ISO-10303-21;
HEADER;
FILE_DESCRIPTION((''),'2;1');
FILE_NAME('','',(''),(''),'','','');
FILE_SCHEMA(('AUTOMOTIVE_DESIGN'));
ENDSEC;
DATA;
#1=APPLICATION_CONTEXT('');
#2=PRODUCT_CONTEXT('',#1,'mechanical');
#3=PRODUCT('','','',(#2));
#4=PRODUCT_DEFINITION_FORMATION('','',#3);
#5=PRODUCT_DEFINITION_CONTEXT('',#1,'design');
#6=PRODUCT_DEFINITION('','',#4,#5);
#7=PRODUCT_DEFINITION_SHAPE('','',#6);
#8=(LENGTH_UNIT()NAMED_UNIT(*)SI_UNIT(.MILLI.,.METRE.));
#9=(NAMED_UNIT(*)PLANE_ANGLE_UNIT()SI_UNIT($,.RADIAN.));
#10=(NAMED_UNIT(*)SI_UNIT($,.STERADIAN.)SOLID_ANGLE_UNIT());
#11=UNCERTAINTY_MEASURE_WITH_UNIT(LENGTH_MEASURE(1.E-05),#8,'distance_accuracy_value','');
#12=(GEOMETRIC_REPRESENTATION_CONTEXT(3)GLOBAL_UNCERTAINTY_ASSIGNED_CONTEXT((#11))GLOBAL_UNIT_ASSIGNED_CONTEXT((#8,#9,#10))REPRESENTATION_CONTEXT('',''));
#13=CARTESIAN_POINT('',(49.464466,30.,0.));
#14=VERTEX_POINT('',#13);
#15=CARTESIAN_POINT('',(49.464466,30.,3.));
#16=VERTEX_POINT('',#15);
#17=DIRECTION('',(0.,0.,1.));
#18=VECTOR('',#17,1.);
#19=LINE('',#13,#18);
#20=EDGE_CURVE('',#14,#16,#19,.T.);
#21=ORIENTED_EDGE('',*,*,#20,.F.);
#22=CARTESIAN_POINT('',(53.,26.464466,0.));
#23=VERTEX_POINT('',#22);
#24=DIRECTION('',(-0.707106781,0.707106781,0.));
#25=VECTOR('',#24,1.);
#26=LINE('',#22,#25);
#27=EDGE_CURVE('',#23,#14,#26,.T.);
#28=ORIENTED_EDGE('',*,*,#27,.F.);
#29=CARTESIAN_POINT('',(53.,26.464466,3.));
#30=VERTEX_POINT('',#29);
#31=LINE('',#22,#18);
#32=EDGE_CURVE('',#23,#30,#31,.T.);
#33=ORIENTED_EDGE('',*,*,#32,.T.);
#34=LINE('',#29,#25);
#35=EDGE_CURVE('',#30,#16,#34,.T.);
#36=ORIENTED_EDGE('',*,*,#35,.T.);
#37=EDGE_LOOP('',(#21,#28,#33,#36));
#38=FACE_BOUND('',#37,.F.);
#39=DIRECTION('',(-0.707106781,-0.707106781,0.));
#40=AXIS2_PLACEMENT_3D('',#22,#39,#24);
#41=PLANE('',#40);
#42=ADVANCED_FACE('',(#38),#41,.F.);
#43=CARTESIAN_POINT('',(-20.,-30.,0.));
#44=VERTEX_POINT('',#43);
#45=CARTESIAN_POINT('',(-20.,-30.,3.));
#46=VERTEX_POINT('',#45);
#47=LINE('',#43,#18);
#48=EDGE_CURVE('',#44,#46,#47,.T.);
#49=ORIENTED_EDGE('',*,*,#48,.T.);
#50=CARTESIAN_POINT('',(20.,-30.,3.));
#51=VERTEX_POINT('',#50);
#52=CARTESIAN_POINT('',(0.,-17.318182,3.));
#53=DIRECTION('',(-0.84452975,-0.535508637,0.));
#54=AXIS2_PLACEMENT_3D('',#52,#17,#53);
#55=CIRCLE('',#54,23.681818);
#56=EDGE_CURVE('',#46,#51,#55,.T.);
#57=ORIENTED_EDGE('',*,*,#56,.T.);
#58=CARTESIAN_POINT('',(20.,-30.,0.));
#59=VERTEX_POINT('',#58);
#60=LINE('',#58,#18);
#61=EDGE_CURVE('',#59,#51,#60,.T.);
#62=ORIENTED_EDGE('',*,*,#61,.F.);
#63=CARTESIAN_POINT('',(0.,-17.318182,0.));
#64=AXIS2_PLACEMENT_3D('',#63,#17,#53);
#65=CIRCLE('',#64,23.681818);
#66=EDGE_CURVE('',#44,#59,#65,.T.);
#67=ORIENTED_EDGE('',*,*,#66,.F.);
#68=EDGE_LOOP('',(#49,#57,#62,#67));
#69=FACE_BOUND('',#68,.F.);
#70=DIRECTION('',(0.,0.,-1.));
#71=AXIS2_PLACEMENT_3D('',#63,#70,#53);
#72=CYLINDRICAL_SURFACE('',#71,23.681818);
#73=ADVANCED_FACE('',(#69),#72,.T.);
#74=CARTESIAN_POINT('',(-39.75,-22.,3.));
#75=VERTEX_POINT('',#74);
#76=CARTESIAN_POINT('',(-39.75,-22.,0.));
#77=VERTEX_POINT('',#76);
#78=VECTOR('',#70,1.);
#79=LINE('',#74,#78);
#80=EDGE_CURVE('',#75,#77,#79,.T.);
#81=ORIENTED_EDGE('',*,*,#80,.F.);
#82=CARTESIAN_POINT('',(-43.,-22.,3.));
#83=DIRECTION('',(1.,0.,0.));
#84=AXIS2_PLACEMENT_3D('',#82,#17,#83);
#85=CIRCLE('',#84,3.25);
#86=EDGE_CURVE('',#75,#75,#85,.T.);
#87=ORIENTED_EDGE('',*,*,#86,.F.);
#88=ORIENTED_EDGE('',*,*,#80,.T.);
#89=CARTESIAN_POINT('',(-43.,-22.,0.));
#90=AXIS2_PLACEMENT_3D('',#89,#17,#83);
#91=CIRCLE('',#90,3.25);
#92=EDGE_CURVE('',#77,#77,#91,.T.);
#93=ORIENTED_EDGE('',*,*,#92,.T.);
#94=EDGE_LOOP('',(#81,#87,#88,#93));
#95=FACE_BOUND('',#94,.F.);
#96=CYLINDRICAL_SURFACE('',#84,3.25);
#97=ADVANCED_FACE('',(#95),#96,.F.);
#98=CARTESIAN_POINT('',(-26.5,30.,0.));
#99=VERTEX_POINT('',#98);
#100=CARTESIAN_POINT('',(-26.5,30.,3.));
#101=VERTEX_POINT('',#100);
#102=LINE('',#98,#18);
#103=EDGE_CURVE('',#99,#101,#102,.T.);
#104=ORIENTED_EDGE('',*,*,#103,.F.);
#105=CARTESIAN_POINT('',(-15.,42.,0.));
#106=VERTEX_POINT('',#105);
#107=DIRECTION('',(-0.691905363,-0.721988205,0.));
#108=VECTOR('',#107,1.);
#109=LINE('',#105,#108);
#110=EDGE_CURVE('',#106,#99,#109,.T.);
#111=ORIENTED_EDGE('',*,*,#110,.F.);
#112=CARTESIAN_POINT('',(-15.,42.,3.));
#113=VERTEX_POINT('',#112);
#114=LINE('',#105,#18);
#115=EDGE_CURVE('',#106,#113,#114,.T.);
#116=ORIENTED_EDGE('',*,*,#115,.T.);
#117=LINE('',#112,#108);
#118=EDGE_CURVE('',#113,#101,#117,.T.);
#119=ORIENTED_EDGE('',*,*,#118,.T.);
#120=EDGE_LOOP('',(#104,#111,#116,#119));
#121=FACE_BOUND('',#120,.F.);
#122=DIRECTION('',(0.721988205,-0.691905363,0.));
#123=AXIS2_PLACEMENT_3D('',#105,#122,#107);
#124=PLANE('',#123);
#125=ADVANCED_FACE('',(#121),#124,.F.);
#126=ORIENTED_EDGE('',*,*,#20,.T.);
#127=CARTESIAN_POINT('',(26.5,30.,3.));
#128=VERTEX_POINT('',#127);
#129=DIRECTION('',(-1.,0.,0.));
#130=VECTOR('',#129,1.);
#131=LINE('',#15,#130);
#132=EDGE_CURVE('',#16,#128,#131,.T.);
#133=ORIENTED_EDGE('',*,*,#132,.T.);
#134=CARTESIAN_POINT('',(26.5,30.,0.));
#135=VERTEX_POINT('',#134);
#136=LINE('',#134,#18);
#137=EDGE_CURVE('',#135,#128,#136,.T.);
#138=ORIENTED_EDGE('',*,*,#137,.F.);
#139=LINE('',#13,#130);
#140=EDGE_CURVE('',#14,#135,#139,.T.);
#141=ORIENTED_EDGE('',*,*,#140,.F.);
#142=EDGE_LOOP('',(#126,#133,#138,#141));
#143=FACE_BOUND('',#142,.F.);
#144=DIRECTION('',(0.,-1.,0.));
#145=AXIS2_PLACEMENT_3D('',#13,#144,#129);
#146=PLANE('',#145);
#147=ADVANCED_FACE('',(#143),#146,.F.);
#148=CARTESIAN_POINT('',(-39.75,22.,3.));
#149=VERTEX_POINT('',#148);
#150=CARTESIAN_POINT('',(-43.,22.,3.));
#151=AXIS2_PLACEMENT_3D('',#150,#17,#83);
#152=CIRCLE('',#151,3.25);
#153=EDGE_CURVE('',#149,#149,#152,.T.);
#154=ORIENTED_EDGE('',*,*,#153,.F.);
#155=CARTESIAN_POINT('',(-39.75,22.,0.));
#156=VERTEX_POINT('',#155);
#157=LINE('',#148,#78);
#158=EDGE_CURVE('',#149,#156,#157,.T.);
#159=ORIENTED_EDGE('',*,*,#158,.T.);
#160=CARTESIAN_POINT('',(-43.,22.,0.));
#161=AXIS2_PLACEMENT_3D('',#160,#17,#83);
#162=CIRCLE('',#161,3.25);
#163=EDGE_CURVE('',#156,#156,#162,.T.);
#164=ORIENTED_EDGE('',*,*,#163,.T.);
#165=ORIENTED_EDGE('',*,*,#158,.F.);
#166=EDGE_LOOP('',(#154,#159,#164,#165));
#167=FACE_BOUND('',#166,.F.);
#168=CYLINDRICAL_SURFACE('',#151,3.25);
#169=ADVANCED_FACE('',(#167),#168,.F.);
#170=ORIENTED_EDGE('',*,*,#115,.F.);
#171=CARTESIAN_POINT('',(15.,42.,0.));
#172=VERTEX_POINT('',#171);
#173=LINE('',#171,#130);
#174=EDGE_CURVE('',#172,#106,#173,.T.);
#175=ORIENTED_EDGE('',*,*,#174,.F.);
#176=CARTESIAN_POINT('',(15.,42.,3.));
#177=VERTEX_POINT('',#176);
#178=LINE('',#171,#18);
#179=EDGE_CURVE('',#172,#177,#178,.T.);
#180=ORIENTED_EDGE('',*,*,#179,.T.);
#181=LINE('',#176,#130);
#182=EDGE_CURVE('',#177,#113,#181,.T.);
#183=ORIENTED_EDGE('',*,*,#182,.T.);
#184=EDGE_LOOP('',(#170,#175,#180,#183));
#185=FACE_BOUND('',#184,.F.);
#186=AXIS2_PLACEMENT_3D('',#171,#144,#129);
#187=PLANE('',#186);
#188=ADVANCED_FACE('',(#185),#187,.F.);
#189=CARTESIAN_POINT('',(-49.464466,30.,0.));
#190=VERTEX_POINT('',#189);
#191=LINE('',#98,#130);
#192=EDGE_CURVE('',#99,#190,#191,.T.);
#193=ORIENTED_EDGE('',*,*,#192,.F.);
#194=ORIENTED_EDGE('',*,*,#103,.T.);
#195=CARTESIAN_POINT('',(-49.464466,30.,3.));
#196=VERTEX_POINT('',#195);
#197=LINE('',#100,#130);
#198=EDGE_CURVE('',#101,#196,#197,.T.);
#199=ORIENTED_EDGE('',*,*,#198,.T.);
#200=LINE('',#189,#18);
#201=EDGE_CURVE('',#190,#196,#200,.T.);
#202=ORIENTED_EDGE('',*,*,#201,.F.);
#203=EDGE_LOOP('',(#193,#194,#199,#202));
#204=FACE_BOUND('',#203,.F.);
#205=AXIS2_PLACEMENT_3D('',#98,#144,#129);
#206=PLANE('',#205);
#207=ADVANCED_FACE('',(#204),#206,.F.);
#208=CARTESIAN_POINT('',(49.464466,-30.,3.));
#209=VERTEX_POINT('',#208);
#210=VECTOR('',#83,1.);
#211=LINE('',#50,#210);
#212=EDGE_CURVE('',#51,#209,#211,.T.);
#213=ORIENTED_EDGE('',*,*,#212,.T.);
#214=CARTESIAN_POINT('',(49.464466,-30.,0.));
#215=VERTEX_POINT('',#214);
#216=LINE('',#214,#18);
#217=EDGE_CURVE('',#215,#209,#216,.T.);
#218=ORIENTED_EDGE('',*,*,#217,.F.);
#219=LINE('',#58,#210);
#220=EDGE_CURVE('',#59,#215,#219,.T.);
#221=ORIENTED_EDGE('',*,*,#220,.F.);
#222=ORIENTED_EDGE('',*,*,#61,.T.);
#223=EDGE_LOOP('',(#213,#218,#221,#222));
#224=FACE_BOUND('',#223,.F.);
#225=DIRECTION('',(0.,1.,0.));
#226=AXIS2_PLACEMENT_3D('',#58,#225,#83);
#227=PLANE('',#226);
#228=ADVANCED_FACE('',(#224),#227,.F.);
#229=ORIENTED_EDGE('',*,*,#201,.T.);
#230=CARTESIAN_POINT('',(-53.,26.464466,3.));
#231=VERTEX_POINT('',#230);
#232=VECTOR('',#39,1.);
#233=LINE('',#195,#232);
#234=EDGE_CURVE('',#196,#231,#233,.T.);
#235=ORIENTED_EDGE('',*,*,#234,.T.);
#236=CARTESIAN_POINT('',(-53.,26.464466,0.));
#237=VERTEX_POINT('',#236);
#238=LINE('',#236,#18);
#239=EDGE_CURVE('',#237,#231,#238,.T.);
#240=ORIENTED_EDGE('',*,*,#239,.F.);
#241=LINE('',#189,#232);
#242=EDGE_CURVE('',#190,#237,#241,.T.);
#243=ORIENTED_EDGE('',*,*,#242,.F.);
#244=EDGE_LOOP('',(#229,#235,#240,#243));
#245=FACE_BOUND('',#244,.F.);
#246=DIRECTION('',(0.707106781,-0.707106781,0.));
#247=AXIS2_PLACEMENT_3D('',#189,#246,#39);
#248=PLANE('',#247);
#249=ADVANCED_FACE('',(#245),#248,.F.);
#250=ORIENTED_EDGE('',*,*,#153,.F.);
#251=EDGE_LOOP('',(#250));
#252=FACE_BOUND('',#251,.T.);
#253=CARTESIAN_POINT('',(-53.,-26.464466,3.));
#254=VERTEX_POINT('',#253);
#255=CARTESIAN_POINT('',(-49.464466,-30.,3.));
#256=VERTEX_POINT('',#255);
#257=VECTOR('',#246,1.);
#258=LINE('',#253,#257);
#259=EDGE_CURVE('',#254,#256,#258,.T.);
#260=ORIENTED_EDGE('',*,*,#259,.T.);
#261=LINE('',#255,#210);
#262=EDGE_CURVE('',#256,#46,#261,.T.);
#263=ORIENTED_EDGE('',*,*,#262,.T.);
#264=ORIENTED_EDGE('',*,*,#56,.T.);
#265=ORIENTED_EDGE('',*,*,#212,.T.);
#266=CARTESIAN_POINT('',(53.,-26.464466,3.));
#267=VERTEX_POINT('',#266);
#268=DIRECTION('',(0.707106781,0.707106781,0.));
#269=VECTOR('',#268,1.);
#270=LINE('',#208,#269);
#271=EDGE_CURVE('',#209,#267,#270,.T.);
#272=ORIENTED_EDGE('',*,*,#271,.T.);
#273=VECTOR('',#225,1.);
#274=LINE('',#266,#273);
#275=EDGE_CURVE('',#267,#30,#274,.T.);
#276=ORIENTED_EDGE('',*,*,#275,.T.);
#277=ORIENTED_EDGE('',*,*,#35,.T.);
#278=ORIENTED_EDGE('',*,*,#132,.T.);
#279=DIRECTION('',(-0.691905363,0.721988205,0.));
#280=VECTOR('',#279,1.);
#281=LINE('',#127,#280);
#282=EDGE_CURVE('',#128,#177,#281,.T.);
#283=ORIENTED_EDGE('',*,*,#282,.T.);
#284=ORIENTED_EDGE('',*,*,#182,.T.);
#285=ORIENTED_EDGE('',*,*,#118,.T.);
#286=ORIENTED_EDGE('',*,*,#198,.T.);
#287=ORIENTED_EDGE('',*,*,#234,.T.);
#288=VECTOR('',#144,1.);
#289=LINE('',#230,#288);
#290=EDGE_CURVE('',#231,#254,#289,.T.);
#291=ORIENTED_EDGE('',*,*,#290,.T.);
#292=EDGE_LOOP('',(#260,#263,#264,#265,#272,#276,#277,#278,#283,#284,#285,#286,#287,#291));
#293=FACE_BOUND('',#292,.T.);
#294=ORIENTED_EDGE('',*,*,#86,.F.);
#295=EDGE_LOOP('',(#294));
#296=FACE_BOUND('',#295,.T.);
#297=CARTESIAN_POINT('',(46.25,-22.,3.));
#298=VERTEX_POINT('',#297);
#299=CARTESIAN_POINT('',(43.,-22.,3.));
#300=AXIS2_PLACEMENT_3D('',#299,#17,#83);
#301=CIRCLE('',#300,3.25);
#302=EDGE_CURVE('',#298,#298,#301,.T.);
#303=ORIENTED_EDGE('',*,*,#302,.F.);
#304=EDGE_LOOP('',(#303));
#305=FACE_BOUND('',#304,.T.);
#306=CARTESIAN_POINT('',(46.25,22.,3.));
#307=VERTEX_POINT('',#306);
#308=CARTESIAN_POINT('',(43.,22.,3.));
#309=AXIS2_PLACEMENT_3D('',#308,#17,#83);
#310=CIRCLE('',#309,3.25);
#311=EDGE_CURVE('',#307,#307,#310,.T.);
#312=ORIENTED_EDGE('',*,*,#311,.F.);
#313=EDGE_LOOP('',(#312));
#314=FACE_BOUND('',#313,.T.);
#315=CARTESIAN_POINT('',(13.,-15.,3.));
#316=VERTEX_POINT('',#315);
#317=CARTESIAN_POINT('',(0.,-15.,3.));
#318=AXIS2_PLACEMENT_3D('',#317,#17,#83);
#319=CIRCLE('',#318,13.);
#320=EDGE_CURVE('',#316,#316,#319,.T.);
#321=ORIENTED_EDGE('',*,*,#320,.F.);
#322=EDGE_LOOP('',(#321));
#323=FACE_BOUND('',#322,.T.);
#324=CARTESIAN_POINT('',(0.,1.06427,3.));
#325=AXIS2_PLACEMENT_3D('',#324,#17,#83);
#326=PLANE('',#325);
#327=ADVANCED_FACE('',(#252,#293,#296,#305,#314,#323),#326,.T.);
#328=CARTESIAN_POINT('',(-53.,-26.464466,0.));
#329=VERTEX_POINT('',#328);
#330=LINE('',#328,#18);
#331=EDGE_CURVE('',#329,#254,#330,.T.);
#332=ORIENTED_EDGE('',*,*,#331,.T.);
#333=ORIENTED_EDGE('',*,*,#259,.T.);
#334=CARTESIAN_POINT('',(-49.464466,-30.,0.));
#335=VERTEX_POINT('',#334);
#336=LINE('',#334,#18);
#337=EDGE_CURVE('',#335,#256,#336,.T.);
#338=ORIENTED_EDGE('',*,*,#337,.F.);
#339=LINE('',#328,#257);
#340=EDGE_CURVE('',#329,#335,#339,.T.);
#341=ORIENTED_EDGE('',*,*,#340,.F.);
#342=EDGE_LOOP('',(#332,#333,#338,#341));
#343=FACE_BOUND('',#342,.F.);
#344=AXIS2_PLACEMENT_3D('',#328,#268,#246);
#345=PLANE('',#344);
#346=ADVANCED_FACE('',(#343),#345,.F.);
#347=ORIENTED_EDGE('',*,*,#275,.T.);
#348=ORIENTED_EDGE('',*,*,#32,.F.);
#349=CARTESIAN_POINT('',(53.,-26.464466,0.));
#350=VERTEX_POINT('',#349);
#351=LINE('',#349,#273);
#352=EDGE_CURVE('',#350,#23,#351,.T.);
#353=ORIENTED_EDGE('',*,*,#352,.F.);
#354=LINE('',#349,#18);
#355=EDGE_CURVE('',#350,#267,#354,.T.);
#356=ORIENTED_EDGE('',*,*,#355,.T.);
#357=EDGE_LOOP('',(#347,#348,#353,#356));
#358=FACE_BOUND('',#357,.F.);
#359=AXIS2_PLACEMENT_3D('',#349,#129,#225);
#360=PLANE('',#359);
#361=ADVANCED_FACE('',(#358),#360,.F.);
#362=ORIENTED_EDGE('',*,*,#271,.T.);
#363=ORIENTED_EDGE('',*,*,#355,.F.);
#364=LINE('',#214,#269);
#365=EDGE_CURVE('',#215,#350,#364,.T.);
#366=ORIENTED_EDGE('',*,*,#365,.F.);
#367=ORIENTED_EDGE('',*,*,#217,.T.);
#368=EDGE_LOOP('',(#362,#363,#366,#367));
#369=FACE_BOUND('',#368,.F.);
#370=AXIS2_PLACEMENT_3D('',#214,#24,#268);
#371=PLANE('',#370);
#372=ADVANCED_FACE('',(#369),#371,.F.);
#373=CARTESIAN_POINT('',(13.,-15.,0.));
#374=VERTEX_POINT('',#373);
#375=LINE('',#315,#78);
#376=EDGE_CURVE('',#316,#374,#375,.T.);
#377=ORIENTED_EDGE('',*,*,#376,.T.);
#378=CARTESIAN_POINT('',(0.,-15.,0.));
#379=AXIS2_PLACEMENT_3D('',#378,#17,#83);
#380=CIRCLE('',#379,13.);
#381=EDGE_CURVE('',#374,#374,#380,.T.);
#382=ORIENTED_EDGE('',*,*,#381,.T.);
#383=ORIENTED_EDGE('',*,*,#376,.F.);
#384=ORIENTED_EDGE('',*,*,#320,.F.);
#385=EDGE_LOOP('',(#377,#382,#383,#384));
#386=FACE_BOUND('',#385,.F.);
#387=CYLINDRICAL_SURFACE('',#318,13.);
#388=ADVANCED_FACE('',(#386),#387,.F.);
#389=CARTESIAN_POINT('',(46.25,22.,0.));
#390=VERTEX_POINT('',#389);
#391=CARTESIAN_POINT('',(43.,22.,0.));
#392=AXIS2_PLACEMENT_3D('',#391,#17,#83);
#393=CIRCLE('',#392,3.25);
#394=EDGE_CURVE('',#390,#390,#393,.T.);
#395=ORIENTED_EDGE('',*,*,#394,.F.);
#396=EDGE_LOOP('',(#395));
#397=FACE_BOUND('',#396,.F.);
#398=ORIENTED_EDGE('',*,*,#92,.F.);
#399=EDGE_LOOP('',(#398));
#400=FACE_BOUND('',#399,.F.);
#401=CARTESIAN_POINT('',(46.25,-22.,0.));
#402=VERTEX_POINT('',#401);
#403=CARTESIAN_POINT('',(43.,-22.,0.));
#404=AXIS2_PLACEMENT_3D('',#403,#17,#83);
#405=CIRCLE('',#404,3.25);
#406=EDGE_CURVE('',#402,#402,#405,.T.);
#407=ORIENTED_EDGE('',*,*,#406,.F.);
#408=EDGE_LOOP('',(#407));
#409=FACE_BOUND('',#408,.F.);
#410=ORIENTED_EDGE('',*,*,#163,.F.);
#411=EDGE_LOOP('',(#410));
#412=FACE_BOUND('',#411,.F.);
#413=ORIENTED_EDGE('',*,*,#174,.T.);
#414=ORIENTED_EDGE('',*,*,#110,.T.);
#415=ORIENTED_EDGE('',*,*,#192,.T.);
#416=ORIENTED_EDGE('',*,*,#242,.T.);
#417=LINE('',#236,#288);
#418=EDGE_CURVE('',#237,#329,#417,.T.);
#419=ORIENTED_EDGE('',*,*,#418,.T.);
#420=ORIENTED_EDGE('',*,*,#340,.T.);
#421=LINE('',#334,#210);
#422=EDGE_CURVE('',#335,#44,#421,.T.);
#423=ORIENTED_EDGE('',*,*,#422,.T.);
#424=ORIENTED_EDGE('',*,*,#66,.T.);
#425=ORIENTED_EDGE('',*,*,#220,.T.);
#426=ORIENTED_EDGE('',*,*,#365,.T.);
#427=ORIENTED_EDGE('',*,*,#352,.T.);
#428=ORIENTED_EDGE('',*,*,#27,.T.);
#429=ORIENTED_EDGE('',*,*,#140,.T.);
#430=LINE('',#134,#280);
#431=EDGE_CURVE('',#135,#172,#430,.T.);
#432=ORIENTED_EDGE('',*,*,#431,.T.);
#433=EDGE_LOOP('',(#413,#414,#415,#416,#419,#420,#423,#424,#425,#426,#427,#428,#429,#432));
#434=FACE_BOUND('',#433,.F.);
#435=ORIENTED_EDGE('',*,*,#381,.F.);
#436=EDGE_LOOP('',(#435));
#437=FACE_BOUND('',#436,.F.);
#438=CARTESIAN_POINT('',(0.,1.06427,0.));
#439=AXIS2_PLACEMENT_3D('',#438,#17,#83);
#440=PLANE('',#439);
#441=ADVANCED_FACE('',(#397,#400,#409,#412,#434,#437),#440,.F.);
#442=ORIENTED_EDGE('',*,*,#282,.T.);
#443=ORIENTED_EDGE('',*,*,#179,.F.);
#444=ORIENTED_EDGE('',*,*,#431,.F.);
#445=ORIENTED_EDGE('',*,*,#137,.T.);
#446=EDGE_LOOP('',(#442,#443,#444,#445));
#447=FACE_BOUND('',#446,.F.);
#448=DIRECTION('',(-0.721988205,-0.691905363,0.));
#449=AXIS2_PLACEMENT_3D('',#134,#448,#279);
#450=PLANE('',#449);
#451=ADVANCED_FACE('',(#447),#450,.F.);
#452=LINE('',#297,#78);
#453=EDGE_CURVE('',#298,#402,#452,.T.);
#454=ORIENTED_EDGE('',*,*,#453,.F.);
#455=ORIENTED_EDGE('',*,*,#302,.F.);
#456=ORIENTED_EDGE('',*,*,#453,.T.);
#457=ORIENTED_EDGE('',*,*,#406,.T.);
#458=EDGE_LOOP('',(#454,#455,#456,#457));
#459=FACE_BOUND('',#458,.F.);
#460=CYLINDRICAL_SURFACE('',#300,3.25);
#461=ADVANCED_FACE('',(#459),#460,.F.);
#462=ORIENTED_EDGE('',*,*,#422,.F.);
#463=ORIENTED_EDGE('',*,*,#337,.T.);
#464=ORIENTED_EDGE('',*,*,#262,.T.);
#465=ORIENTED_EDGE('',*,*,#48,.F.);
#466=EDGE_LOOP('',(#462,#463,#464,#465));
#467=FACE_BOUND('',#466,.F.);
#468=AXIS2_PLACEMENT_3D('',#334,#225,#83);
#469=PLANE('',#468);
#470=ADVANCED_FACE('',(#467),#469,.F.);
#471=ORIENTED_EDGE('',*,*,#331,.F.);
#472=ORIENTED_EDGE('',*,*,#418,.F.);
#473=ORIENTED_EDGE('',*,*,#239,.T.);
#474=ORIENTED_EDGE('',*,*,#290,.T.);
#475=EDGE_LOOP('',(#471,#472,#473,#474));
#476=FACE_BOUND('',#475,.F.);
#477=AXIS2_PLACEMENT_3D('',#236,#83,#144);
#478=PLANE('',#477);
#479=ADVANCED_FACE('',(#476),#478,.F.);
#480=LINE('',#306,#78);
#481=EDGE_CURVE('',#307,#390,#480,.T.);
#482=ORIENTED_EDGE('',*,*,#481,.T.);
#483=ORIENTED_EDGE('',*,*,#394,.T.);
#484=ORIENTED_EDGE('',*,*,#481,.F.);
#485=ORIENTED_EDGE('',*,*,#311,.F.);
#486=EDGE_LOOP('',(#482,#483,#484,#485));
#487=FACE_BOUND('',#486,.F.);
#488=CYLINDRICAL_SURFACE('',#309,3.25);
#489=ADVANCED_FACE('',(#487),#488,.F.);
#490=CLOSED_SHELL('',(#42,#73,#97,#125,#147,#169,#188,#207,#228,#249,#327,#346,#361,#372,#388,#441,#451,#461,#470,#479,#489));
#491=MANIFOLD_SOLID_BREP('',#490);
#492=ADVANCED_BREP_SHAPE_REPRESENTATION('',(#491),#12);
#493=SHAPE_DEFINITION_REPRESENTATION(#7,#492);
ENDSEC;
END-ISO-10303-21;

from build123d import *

# Parameters (mm, degrees)
F1_DEPTH = 3
F2_R     = 13
F3_DEPTH = 3.001
F4_R     = 3.25
F5_DEPTH = 3.001


with BuildPart() as f1:
    # F0 (on Top) → F1 (new body)
    with BuildSketch(Plane.XY):
        with BuildLine():
            Line((-26.5, 30), (-49.464466, 30))
            Line((-49.464466, 30), (-53, 26.464466))
            Line((-53, 26.464466), (-53, -26.464466))
            Line((-53, -26.464466), (-49.464466, -30))
            Line((-49.464466, -30), (-20, -30))
            ThreePointArc((-20, -30), (0, -41), (20, -30))
            Line((20, -30), (49.464466, -30))
            Line((49.464466, -30), (53, -26.464466))
            Line((53, -26.464466), (53, 26.464466))
            Line((53, 26.464466), (49.464466, 30))
            Line((49.464466, 30), (26.5, 30))
            Line((26.5, 30), (15, 42))
            Line((15, 42), (-15, 42))
            Line((-15, 42), (-26.5, 30))
        make_face()
    extrude(amount=F1_DEPTH)

    # F2 (on face) → F3 (cut, through all)
    with BuildSketch(Plane.XY.offset(3)):
        with Locations((0, -15)):
            Circle(F2_R)
    extrude(amount=-F3_DEPTH, mode=Mode.SUBTRACT)

    # F4 (on face) → F5 (cut, through all)
    with BuildSketch(Plane.XY.offset(3)):
        with Locations((-43, 22)):
            Circle(F4_R)
        with Locations((-43, -22)):
            Circle(F4_R)
        with Locations((43, 22)):
            Circle(F4_R)
        with Locations((43, -22)):
            Circle(F4_R)
    extrude(amount=-F5_DEPTH, mode=Mode.SUBTRACT)


solid = f1.part
